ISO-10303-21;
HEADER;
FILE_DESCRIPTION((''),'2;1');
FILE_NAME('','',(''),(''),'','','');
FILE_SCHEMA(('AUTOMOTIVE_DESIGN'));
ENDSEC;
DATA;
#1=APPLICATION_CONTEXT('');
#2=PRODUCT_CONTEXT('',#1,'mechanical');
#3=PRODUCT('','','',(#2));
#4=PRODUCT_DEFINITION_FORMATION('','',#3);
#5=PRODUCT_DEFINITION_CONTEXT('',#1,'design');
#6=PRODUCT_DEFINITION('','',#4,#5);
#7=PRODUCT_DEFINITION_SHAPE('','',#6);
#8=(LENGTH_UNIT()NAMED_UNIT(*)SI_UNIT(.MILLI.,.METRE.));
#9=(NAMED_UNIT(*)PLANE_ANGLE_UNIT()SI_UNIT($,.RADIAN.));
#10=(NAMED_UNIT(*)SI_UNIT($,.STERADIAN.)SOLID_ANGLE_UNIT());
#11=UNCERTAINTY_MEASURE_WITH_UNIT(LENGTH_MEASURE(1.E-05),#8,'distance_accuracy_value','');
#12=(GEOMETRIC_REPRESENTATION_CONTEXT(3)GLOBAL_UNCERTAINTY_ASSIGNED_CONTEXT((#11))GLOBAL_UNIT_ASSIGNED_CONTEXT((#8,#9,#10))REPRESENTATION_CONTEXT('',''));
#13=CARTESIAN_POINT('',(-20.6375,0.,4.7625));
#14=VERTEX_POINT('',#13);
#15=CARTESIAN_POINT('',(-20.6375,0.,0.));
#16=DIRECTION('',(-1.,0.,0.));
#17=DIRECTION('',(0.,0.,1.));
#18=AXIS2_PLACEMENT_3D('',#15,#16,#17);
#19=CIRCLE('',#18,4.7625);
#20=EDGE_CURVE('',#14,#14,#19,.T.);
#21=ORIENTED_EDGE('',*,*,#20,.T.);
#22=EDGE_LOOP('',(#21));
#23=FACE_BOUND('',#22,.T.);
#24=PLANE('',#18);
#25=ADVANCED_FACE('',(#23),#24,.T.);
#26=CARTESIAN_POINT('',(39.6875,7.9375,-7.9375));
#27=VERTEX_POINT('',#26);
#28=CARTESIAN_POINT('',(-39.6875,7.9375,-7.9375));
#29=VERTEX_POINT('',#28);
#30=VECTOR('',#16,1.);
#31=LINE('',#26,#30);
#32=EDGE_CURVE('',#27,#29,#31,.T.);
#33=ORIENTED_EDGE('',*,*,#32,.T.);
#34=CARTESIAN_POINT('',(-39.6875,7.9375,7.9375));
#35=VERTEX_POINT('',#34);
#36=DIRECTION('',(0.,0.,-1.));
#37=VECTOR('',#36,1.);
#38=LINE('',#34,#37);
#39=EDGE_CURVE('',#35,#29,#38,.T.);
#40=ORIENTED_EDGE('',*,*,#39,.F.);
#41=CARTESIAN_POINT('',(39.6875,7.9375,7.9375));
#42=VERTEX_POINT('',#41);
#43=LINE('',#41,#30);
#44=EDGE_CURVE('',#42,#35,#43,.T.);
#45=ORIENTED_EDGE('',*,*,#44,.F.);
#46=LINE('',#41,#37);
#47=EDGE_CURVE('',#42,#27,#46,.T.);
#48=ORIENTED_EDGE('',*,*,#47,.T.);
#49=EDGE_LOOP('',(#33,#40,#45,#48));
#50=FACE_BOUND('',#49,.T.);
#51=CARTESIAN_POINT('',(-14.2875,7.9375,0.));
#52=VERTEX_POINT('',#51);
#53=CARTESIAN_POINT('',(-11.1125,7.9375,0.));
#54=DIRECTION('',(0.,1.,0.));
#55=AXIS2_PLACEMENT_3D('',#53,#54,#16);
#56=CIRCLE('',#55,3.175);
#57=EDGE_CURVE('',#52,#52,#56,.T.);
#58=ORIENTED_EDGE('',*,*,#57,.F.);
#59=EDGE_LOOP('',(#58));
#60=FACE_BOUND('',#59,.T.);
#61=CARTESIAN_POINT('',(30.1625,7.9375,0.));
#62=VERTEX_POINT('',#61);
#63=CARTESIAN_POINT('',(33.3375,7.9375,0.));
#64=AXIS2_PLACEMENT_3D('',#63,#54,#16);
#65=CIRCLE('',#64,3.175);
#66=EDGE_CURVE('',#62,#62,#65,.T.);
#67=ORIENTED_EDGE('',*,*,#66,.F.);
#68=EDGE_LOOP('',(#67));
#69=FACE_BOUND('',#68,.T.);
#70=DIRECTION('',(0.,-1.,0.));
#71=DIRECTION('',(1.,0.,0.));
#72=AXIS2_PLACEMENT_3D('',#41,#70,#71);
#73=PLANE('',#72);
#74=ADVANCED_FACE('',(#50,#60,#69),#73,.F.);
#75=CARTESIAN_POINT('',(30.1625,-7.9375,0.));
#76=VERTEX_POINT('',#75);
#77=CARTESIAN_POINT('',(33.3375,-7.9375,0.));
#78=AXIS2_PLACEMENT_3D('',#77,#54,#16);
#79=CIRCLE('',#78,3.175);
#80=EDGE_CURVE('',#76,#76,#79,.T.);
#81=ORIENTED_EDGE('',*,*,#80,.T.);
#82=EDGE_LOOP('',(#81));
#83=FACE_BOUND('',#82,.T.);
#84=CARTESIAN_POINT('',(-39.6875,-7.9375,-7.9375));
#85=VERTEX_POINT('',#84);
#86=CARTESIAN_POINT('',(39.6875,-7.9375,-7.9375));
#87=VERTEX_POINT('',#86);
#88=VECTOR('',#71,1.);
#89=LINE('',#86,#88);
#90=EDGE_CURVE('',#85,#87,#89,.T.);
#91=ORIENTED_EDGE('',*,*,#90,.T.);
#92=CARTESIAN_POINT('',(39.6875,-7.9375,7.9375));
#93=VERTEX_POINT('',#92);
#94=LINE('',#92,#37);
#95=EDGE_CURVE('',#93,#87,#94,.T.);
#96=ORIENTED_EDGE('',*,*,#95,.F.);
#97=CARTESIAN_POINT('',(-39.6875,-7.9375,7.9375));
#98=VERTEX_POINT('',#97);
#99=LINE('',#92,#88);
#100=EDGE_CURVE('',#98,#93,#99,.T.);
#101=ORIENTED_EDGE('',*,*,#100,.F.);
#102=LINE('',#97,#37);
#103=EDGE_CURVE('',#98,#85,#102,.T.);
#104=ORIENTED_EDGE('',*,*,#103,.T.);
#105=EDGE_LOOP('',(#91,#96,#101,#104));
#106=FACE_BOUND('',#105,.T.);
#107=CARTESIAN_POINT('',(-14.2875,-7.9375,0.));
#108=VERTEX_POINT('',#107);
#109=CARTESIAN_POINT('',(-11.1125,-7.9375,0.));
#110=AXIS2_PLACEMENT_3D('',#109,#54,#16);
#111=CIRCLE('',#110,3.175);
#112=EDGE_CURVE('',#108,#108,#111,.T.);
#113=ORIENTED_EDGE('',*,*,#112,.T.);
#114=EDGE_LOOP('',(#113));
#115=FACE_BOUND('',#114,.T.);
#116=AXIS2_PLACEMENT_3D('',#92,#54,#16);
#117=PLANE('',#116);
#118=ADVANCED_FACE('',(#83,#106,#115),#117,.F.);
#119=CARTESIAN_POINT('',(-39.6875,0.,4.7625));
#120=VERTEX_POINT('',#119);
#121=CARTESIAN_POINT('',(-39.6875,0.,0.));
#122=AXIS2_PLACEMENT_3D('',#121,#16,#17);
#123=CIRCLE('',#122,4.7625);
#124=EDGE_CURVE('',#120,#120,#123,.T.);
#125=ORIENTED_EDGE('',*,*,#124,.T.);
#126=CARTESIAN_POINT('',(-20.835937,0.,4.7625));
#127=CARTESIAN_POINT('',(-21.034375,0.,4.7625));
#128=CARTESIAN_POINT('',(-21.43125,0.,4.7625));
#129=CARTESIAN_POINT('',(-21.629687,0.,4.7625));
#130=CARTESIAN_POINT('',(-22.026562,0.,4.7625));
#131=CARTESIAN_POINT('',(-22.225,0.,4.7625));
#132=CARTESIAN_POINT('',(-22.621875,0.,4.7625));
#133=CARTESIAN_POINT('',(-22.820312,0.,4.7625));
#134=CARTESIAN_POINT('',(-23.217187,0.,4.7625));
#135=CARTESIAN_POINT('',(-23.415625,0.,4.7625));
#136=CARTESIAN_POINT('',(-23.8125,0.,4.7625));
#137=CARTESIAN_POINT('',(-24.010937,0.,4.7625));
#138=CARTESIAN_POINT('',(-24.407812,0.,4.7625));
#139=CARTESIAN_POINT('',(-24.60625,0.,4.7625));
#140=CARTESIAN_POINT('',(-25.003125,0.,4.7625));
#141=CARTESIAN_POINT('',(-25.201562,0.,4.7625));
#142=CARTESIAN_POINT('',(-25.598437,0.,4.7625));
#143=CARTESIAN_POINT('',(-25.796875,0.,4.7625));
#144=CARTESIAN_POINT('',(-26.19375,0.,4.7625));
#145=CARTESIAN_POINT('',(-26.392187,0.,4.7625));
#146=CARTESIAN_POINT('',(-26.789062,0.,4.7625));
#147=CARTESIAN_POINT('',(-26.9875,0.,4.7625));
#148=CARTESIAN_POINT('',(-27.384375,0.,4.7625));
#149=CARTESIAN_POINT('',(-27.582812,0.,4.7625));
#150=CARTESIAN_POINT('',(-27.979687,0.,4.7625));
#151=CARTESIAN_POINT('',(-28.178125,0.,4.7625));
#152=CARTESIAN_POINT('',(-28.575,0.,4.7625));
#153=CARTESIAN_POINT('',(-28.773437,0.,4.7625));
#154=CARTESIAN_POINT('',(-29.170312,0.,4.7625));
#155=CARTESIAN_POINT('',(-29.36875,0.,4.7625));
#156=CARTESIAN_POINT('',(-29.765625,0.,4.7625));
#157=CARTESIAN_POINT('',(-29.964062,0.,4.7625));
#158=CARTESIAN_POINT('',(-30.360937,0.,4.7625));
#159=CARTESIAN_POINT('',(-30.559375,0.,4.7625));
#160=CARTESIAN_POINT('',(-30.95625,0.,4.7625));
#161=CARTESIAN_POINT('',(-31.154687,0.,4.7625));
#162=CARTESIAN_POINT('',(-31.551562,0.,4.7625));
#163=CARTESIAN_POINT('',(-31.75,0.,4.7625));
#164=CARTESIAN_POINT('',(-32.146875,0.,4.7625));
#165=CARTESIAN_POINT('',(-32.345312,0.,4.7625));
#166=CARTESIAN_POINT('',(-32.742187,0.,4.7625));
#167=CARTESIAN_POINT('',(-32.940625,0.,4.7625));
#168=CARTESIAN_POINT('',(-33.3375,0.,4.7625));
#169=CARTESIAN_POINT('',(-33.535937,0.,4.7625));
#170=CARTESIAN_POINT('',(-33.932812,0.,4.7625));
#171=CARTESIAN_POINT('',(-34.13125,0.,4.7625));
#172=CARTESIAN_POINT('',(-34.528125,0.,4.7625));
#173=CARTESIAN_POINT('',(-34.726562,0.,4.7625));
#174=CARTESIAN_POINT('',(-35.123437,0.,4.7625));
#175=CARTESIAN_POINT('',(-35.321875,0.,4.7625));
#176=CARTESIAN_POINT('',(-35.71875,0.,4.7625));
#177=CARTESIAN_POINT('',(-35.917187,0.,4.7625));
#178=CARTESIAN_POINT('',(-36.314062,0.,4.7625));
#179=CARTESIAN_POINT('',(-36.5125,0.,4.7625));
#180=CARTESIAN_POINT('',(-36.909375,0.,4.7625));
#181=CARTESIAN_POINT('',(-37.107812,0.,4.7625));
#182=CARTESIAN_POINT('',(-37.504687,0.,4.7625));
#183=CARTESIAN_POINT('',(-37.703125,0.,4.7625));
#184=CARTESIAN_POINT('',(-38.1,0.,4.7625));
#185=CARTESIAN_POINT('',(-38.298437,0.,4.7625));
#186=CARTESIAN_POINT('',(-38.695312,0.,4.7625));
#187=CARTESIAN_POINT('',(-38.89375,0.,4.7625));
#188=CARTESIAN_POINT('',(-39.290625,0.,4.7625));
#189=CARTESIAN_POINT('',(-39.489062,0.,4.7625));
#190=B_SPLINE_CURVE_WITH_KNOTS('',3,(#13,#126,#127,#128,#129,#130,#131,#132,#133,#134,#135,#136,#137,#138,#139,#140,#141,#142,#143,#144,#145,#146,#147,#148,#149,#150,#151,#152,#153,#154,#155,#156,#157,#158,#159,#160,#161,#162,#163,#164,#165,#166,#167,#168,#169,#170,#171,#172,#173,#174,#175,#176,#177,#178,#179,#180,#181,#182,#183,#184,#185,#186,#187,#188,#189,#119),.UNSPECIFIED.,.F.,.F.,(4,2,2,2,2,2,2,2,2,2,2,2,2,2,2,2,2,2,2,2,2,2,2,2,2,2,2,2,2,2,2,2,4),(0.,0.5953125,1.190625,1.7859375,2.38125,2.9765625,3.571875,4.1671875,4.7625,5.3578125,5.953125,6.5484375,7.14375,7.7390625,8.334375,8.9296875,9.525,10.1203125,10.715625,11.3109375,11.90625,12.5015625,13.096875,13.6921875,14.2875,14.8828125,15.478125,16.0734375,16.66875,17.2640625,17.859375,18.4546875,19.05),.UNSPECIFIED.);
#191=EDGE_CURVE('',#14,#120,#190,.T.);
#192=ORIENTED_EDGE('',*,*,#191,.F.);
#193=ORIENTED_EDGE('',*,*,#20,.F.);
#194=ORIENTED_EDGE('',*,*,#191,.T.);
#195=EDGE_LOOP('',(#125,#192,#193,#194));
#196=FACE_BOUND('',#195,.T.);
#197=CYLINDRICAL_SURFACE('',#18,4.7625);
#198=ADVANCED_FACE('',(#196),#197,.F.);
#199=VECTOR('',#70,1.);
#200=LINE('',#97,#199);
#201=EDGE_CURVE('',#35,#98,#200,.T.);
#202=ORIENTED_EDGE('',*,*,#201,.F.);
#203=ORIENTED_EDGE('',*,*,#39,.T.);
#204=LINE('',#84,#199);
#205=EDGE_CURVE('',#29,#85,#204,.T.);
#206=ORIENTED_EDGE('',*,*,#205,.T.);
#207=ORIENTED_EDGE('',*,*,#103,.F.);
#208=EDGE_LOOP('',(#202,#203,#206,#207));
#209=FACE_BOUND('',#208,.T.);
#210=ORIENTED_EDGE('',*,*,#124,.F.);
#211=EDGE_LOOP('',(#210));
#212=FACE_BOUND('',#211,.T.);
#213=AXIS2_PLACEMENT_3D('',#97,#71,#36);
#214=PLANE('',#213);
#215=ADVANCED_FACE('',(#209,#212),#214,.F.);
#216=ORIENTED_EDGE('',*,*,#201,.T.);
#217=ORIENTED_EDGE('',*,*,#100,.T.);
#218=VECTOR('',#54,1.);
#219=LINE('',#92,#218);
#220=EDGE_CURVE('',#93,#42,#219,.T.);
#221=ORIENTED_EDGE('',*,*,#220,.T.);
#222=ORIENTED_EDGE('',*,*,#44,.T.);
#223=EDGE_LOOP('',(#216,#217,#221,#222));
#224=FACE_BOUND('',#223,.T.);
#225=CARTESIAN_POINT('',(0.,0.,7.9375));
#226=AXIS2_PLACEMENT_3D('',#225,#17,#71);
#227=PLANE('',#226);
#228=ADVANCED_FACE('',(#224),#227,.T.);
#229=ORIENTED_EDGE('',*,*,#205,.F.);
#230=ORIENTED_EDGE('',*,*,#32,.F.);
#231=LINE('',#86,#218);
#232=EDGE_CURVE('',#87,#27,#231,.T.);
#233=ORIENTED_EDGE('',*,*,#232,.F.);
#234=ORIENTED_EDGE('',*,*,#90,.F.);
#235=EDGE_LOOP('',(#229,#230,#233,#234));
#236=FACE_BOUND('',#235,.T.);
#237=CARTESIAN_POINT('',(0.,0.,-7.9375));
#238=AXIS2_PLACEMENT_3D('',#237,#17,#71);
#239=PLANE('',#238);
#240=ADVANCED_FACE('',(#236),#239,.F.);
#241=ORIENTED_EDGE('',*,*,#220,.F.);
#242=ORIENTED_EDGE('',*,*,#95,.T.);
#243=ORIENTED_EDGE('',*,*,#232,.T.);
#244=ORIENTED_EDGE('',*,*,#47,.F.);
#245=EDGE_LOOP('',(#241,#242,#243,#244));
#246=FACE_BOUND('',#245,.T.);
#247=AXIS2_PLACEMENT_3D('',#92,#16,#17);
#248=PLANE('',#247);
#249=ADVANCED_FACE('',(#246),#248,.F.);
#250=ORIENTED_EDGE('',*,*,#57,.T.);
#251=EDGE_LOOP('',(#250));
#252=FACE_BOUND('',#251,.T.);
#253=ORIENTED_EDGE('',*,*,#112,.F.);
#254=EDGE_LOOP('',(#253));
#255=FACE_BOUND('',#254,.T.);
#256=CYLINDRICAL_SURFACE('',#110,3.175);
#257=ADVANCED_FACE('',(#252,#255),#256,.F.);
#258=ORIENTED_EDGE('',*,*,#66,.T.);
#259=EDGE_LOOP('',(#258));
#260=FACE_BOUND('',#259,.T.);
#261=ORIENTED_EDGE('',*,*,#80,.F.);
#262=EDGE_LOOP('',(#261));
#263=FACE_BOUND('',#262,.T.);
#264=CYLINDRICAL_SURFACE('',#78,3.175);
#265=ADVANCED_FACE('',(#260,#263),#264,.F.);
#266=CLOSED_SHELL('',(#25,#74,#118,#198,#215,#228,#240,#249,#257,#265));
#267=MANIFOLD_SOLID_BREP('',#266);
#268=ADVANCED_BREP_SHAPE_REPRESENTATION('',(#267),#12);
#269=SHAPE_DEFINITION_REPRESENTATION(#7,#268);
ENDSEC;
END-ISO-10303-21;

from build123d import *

# Parameters (mm, degrees)
SKETCH1_W           = 79.375
SKETCH1_H           = 15.875
BOSS_EXTRUDE1_DEPTH = 7.9375
SKETCH2_R           = 4.7625
CUT_EXTRUDE1_DEPTH  = 19.05
SKETCH3_R           = 3.175
CUT_EXTRUDE2_DEPTH  = 44.475478002


with BuildPart() as part:
    # Sketch1 → Boss-Extrude1 (new, symmetric)
    with BuildSketch(Plane.XY):
        Rectangle(SKETCH1_W, SKETCH1_H)
    extrude(amount=BOSS_EXTRUDE1_DEPTH, both=True)

    # Sketch2 → Cut-Extrude1 (cut)
    with BuildSketch(Plane.ZY.offset(39.6875)):
        Circle(SKETCH2_R)
    extrude(amount=-CUT_EXTRUDE1_DEPTH, mode=Mode.SUBTRACT)

    # Sketch3 → Cut-Extrude2 (cut, through all)
    with BuildSketch(Plane(origin=(0, 7.9375, 0), x_dir=(1, 0, 0), z_dir=(0, 1, 0))):
        with Locations(Location((33.3375, 0, 0), (0, 0, 180))):
            Circle(SKETCH3_R)
        with Locations(Location((-11.1125, 0, 0), (0, 0, 180))):
            Circle(SKETCH3_R)
    extrude(amount=-CUT_EXTRUDE2_DEPTH, mode=Mode.SUBTRACT)


solid = part.part
